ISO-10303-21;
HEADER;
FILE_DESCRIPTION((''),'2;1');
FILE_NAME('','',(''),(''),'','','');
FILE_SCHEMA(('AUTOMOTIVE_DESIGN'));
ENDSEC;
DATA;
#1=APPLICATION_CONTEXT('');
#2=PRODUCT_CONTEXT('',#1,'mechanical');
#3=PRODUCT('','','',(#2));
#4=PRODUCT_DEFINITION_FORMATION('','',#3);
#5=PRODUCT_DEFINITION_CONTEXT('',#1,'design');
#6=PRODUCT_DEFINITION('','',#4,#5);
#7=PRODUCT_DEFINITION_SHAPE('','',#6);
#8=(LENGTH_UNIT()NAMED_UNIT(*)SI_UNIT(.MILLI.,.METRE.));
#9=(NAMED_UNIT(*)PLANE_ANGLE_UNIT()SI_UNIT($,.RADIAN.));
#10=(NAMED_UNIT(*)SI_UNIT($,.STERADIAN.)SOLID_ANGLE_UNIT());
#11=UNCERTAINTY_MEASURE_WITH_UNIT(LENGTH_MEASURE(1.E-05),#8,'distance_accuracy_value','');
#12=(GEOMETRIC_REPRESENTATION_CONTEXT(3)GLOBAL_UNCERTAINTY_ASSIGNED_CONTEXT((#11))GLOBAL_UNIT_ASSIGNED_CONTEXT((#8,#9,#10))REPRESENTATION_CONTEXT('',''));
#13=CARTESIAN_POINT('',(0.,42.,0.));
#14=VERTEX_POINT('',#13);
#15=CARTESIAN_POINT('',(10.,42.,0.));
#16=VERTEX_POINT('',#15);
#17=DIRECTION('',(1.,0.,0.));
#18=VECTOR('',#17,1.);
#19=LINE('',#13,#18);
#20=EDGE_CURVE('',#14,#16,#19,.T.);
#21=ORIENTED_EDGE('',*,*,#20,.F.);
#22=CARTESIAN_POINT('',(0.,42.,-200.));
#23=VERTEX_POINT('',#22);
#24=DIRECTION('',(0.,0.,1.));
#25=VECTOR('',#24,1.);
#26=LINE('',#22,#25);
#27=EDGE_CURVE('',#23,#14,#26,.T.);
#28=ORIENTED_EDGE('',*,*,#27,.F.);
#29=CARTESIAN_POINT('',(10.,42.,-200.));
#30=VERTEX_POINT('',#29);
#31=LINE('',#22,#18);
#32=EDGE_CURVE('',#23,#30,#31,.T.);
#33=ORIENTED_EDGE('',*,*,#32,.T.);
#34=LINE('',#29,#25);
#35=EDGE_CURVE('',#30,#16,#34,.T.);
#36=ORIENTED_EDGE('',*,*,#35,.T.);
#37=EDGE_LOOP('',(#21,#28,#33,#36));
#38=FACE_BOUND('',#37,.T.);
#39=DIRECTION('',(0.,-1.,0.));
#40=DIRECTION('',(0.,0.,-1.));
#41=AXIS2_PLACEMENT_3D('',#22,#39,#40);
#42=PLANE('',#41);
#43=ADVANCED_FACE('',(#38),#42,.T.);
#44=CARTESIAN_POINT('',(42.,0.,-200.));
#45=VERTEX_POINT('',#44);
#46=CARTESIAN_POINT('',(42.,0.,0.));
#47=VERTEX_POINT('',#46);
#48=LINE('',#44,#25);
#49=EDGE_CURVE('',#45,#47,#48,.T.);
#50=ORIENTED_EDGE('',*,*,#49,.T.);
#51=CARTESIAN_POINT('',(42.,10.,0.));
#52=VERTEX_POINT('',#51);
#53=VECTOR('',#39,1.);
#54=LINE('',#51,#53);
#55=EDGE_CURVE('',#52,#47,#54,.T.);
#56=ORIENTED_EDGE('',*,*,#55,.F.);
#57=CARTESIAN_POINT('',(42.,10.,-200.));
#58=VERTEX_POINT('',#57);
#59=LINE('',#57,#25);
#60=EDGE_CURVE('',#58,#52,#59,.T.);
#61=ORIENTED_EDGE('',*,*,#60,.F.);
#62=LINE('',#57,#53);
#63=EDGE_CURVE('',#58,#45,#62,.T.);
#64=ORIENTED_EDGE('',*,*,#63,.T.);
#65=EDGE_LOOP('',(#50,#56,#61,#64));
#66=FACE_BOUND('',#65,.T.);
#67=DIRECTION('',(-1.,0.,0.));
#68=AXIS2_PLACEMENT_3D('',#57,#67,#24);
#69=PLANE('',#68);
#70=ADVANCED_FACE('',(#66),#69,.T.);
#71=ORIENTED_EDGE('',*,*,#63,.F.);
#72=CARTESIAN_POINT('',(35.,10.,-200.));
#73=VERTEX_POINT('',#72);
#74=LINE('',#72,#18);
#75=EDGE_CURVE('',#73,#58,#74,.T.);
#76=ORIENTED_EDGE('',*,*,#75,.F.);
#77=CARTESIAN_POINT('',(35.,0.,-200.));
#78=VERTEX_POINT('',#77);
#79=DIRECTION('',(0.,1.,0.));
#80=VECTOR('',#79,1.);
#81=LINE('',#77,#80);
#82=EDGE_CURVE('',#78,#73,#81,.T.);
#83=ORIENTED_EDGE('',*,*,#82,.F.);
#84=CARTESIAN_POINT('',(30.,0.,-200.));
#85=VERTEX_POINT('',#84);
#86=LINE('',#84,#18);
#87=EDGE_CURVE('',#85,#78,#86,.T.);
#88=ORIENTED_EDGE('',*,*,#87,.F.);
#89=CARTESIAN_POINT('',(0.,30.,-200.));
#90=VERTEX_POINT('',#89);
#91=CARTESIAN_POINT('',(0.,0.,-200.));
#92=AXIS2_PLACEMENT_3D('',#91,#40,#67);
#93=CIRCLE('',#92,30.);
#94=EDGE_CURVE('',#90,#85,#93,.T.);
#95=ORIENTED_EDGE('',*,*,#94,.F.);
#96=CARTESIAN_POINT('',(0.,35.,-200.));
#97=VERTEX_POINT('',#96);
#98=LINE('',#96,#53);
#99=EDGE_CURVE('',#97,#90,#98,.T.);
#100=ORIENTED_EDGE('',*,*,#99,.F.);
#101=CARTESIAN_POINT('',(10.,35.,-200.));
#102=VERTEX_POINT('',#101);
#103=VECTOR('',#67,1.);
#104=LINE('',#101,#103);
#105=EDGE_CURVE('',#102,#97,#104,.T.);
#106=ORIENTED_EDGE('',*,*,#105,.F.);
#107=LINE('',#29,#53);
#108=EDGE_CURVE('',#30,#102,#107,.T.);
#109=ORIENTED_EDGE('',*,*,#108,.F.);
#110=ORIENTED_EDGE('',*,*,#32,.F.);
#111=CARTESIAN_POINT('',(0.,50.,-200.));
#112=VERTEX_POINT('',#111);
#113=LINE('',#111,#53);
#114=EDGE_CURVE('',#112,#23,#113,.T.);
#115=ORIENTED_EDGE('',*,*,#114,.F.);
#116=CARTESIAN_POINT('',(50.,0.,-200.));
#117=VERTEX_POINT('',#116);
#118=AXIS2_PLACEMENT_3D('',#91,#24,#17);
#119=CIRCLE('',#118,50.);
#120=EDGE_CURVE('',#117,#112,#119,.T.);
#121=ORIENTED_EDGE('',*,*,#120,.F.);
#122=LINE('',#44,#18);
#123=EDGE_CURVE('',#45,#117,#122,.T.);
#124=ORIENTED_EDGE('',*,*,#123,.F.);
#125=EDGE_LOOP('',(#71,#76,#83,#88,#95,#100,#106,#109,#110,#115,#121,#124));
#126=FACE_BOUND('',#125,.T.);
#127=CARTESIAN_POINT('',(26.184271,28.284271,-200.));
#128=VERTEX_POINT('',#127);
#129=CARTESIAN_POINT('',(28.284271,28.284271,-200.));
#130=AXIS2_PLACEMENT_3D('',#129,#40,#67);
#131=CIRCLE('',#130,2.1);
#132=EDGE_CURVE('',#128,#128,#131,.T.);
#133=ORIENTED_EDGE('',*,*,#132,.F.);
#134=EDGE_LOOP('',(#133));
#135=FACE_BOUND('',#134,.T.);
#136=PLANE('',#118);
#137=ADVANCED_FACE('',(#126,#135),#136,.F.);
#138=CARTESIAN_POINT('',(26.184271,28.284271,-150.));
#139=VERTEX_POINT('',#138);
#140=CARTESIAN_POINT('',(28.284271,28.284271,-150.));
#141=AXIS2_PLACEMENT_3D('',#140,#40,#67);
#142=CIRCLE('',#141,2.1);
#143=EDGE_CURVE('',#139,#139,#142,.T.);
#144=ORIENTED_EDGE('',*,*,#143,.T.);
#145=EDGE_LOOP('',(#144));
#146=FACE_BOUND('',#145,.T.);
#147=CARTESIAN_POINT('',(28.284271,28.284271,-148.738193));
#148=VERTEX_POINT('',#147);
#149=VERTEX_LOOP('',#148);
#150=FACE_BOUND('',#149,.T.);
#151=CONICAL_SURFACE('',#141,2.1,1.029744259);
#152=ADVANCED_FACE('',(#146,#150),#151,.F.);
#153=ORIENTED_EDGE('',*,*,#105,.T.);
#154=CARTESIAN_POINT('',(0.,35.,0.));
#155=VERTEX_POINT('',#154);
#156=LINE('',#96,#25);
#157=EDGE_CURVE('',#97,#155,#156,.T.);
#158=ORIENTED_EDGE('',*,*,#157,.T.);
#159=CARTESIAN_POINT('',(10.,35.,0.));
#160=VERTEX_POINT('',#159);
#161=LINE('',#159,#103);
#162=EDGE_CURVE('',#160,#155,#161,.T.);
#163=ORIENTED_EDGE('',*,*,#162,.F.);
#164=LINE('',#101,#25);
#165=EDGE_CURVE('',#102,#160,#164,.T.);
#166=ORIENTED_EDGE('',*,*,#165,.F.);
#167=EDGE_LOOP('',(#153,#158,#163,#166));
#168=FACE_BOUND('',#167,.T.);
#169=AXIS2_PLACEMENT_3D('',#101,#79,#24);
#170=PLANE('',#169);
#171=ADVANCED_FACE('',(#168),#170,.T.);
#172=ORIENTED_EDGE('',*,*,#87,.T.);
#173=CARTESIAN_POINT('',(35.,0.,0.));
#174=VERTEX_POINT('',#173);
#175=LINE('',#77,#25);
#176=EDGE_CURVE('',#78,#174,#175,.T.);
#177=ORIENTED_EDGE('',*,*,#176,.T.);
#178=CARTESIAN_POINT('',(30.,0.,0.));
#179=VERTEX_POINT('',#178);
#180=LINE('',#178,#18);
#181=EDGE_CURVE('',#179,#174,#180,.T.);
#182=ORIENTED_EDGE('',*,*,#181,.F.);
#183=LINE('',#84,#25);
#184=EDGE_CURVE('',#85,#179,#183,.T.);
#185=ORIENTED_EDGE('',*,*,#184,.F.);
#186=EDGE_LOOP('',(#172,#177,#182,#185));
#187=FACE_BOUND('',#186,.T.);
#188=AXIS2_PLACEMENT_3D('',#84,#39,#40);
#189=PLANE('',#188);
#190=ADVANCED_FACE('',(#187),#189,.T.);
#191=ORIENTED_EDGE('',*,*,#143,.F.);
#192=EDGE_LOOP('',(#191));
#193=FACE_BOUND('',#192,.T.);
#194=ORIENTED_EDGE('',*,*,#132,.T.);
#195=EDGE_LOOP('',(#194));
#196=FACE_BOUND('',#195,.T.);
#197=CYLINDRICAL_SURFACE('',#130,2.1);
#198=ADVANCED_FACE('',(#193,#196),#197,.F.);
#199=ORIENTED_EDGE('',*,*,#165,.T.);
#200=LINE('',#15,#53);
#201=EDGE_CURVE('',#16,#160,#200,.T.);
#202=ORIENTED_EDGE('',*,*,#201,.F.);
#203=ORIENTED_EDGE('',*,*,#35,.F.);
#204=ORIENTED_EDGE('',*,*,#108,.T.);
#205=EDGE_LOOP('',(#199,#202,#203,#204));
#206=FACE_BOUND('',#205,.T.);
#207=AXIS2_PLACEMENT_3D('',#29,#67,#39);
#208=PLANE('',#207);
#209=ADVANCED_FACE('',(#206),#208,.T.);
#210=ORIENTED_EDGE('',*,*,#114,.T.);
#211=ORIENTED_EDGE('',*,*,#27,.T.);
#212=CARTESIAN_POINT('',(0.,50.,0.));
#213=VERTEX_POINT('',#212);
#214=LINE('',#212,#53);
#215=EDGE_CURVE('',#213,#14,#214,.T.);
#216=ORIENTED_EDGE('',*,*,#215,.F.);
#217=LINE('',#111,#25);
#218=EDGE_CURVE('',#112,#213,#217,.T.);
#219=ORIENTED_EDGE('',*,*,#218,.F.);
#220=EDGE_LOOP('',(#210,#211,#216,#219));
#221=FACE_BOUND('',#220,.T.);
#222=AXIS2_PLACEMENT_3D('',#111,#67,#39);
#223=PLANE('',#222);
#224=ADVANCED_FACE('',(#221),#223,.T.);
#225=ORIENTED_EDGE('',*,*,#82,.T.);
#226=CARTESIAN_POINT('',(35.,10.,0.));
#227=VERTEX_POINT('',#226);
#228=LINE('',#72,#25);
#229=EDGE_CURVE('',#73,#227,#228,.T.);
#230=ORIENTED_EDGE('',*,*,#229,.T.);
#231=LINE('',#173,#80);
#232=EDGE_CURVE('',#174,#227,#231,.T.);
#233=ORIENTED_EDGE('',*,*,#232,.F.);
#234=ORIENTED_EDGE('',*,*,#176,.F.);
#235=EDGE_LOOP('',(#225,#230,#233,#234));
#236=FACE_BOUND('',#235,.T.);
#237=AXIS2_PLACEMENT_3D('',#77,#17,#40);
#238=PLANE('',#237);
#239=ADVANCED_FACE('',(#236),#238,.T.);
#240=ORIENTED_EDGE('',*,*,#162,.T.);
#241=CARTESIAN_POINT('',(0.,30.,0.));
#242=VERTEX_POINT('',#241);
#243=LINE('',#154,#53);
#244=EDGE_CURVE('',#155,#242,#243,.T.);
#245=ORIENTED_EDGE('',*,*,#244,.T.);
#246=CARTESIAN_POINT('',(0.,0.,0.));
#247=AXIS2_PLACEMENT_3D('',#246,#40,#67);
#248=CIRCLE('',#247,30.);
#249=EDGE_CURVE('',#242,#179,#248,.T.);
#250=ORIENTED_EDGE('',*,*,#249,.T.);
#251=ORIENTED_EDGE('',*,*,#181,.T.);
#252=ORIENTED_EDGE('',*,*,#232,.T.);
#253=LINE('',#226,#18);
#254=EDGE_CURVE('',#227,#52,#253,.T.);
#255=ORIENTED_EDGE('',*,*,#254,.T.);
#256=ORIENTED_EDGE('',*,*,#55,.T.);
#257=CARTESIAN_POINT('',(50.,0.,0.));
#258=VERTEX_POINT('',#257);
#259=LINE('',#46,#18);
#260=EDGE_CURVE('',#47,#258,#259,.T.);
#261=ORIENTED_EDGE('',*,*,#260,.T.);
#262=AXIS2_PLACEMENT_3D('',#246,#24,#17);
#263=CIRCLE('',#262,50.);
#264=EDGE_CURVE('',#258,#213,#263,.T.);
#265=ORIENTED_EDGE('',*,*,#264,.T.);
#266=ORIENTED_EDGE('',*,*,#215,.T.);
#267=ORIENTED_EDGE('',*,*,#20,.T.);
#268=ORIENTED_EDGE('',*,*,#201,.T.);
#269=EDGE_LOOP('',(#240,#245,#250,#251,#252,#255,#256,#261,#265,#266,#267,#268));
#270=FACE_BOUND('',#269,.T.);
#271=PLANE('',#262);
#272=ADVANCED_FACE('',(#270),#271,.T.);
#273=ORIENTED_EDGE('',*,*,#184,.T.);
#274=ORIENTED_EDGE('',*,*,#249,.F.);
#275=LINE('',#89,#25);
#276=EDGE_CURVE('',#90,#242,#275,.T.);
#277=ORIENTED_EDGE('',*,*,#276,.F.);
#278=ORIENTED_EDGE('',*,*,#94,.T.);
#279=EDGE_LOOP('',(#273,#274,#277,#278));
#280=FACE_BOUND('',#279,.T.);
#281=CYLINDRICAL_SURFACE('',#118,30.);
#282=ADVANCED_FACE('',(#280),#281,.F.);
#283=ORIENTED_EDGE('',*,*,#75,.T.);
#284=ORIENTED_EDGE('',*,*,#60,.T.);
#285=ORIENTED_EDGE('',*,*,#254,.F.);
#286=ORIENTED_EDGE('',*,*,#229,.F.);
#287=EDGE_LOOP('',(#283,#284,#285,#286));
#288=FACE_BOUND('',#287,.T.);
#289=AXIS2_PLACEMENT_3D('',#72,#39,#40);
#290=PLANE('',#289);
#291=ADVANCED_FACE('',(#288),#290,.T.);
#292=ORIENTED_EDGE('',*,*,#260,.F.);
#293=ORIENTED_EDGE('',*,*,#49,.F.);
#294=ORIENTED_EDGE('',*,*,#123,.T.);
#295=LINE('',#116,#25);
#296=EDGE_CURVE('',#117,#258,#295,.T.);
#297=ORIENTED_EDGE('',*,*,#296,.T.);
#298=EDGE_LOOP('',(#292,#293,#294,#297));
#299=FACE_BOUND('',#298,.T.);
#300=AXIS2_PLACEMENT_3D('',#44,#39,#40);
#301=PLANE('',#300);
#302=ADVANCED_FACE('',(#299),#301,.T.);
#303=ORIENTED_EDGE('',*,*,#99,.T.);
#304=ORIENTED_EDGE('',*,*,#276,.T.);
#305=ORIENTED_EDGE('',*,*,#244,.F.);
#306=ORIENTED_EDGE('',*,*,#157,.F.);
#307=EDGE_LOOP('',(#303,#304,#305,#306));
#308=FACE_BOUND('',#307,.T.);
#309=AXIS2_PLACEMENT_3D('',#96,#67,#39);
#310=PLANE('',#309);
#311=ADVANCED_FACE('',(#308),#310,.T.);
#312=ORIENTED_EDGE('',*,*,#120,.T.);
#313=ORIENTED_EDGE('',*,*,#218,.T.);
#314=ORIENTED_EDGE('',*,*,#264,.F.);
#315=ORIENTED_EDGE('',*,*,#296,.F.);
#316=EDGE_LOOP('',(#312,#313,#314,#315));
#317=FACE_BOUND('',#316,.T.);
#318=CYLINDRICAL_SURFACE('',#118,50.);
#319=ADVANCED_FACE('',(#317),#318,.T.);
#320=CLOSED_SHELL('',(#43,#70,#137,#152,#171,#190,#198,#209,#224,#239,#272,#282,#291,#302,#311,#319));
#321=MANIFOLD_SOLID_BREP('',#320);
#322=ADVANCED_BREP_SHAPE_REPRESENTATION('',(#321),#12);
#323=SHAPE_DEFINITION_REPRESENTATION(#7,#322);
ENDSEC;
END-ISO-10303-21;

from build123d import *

# Parameters (mm, degrees)
BOSS_EXTRU_1_DEPTH     = 200
D_GAGEMENT_M3_52_D     = 4.2
D_GAGEMENT_M3_52_DEPTH = 50
D_GAGEMENT_M3_52_TIP   = 1.2618073


with BuildPart() as part:
    # Esquisse2 → Boss.-Extru.1 (new body)
    with BuildSketch(Plane.XY):
        with BuildLine():
            Line((30, 0), (35, 0))
            Line((35, 0), (35, 10))
            Line((35, 10), (42, 10))
            Line((42, 10), (42, 0))
            Line((42, 0), (50, 0))
            ThreePointArc((50, 0), (35.355339059, 35.355339059), (0, 50))
            Line((0, 50), (0, 42))
            Line((0, 42), (10, 42))
            Line((10, 42), (10, 35))
            Line((10, 35), (0, 35))
            Line((0, 35), (0, 30))
            ThreePointArc((0, 30), (21.213203436, 21.213203436), (30, 0))
        make_face()
    extrude(amount=-BOSS_EXTRU_1_DEPTH)

    # Dégagement M3.52
    with Locations(Plane(origin=(0, 0, -200), x_dir=(-1, 0, 0), z_dir=(0, 0, -1))):
        with Locations((-28.284271247, 28.284271247)):
            Hole(D_GAGEMENT_M3_52_D / 2, depth=D_GAGEMENT_M3_52_DEPTH)
            with Locations((0, 0, -(D_GAGEMENT_M3_52_DEPTH + D_GAGEMENT_M3_52_TIP / 2))):  # 118° drill point
                Cone(0, D_GAGEMENT_M3_52_D / 2, D_GAGEMENT_M3_52_TIP, mode=Mode.SUBTRACT)


solid = part.part
